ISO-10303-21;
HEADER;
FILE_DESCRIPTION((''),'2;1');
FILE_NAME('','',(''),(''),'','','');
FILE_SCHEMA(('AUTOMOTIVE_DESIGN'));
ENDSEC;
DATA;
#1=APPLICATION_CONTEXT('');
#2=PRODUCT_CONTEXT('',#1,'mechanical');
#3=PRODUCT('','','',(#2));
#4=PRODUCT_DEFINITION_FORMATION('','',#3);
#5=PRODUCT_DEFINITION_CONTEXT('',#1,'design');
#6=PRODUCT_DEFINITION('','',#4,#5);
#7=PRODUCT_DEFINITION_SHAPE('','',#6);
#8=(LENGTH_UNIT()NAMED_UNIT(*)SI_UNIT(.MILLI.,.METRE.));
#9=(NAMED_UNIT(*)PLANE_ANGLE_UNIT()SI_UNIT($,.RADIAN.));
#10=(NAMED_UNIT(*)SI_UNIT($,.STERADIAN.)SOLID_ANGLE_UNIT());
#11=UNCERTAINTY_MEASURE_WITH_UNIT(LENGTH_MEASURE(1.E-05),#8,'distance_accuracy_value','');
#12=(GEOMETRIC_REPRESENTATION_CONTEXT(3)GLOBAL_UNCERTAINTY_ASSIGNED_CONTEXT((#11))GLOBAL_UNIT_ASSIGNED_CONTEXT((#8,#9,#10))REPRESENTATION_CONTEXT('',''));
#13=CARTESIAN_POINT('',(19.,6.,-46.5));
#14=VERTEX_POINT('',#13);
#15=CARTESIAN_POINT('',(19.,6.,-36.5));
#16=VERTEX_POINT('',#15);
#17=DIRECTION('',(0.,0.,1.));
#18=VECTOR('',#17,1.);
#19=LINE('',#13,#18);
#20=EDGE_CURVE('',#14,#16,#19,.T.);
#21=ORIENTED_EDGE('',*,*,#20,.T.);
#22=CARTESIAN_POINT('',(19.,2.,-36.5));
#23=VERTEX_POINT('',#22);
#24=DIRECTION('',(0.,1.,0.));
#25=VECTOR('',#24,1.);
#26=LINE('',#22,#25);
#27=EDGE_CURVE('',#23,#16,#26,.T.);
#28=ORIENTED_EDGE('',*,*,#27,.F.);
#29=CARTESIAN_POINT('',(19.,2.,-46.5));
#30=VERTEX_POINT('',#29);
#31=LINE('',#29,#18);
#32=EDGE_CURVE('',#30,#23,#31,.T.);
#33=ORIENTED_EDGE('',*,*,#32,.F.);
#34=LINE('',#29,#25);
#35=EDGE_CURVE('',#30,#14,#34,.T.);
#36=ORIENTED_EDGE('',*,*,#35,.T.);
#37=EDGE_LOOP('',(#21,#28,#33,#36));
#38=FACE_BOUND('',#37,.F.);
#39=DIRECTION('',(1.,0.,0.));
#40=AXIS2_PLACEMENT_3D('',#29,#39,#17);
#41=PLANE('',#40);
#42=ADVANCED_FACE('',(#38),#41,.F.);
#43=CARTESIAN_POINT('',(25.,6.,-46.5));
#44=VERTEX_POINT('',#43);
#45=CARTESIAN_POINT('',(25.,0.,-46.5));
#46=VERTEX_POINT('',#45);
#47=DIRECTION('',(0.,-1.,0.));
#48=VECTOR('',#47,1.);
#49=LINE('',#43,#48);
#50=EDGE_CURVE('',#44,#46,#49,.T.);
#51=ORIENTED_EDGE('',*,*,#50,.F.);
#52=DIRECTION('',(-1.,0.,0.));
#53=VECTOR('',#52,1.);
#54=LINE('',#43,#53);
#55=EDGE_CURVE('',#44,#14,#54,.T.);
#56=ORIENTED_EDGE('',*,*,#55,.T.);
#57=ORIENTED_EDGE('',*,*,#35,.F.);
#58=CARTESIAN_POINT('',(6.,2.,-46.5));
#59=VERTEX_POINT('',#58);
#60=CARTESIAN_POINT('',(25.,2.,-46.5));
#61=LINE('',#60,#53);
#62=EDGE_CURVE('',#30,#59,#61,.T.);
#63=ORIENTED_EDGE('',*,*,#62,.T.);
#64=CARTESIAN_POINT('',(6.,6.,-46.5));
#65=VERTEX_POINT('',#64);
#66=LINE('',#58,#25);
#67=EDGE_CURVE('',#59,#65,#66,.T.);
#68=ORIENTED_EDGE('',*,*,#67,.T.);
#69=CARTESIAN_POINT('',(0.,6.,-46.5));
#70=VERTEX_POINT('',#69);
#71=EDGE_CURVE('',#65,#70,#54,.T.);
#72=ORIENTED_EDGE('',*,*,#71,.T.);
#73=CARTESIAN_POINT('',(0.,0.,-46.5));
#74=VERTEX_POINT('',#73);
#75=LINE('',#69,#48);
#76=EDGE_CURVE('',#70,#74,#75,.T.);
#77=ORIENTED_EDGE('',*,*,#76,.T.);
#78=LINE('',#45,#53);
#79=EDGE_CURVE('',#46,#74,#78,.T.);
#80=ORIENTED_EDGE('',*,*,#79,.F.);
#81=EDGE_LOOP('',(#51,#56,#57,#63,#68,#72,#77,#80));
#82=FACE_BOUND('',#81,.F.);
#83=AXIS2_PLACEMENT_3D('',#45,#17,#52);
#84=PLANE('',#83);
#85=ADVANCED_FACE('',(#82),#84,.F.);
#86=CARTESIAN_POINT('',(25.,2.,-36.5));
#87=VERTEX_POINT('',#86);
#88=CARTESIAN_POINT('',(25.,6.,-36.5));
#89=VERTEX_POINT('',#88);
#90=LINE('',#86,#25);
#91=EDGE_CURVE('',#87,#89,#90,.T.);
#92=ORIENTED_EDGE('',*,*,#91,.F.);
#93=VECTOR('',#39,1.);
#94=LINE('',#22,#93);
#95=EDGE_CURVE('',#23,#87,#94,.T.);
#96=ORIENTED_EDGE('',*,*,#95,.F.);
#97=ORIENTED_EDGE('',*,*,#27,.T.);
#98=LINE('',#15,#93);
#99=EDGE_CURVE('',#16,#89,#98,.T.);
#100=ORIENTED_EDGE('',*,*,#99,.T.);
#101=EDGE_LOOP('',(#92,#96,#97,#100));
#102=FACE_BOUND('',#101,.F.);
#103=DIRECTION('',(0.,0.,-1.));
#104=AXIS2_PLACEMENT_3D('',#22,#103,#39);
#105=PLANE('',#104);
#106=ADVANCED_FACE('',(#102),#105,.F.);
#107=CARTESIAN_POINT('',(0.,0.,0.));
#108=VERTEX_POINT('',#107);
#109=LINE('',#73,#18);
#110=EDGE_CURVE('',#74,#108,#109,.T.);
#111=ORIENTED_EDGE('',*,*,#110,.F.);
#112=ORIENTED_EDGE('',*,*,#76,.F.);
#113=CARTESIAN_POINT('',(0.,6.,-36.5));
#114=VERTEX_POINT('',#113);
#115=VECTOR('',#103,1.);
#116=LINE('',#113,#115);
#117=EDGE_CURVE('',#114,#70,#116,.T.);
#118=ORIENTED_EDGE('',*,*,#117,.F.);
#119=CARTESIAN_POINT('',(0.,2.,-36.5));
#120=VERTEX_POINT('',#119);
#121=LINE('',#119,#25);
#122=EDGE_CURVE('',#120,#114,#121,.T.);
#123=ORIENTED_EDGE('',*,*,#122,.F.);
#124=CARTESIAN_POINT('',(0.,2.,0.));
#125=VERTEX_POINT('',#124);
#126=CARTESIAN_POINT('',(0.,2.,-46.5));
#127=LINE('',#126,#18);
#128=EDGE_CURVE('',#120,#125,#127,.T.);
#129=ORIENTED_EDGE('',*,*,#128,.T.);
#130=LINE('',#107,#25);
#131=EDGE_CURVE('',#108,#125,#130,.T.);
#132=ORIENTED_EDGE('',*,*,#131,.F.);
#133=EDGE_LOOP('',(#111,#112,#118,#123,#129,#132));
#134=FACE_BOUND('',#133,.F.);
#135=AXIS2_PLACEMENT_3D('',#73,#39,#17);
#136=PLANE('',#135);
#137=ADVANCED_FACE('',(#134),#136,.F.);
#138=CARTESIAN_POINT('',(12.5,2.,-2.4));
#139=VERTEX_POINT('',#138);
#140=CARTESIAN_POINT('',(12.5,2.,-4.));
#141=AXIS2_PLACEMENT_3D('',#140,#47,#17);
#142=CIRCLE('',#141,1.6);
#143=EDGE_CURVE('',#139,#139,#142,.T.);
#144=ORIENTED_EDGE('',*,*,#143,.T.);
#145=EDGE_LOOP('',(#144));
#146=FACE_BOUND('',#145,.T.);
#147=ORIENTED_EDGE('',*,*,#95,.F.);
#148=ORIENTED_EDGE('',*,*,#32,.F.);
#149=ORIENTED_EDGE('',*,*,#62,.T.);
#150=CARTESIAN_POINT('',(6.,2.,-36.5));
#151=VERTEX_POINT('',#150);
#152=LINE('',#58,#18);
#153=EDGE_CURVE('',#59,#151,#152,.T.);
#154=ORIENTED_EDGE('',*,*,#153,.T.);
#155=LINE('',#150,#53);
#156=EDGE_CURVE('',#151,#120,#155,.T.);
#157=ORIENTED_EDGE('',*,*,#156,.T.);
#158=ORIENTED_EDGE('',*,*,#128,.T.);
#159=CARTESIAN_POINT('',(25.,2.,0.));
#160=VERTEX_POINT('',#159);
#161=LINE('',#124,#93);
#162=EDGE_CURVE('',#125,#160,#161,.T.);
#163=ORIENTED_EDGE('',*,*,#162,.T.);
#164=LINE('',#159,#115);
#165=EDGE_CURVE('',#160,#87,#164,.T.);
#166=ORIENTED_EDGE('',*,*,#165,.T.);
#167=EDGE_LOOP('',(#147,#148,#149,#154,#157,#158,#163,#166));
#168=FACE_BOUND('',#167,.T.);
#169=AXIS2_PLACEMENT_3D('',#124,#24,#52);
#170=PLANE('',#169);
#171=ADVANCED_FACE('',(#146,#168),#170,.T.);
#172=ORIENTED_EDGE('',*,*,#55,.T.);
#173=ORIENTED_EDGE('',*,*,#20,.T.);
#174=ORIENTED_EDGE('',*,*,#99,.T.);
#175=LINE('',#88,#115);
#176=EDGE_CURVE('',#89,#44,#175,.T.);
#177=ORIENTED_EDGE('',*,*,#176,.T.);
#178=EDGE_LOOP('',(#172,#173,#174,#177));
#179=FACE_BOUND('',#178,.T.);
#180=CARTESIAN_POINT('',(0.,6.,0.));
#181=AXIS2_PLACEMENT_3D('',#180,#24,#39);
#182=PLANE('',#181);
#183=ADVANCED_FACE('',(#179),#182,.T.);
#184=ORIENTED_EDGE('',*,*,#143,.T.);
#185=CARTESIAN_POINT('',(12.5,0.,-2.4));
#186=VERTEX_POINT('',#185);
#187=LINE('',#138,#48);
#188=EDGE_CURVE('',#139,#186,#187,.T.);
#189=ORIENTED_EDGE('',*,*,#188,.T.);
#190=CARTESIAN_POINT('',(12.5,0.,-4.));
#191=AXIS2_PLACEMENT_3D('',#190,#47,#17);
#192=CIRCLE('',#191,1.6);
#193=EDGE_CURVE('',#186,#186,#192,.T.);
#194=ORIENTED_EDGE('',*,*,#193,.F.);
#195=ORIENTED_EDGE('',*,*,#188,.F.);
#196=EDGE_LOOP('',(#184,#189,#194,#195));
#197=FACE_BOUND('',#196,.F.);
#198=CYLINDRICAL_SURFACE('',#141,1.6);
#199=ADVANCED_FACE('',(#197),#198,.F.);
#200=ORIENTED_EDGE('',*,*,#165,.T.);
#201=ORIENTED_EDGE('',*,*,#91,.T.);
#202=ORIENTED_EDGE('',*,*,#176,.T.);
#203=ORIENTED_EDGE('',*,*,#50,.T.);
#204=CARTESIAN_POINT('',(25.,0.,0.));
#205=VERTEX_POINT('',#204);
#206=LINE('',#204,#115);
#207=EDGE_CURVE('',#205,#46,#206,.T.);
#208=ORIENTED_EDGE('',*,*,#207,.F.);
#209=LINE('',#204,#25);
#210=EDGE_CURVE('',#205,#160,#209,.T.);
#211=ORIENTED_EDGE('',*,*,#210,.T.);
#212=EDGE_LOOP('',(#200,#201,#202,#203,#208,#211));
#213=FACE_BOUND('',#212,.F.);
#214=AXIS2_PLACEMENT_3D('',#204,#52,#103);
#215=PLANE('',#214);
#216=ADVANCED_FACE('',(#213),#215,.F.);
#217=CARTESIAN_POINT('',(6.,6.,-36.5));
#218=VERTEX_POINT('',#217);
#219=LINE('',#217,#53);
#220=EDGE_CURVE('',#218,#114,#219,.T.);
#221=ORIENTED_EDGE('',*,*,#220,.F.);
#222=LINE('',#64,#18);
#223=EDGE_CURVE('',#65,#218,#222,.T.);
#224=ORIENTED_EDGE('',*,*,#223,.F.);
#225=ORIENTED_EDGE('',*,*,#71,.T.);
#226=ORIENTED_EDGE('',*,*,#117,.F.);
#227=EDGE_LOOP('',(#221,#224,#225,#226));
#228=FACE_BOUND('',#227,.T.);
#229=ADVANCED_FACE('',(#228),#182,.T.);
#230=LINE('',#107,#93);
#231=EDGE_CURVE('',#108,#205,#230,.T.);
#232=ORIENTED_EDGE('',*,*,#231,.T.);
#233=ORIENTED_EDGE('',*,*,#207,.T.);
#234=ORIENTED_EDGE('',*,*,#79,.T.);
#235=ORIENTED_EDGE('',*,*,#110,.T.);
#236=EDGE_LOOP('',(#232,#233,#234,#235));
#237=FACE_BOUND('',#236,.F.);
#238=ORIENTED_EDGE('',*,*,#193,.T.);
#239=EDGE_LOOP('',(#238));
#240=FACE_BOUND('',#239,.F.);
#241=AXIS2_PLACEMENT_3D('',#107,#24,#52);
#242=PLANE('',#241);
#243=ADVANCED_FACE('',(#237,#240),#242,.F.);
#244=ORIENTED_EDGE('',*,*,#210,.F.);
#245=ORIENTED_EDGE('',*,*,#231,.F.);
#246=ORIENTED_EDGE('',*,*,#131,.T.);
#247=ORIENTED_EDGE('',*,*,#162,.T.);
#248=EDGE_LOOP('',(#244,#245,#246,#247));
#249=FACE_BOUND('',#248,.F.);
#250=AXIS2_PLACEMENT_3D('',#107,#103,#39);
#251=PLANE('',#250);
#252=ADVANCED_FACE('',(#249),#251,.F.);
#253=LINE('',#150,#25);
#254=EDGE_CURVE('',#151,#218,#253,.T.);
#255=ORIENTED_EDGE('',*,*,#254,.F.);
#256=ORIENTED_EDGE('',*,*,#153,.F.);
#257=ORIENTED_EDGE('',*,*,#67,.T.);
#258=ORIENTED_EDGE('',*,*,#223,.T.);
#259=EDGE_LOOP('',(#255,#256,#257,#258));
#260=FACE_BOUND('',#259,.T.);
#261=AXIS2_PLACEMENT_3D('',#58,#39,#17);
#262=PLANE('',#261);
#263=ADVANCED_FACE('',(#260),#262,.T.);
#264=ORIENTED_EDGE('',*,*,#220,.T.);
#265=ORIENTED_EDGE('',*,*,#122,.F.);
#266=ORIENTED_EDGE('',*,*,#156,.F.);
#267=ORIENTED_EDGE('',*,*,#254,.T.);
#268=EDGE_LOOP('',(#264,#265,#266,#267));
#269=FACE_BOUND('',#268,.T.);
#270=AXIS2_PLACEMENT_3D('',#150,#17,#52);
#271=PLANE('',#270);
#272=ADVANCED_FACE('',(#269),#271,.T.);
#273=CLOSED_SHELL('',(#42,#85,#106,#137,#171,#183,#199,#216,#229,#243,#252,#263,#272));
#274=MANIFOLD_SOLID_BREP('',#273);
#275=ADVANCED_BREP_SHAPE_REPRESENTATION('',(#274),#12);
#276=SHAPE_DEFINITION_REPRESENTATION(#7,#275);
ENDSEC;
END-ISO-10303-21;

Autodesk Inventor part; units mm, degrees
ref_plane "YZ Plane" through (0, 0, 0) normal (1, 0, 0) x (0, 1, 0)
ref_plane "XZ Plane" through (0, 0, 0) normal (0, 1, 0) x (-1, 0, 0)
ref_plane "XY Plane" through (0, 0, 0) normal (0, 0, 1) x (1, 0, 0)
sketch "Sketch1" plane through (0, 0, 0) normal (0, 1, 0) x (-1, 0, 0)
  line L0 (0, 0) -> (-25, 0)
  line L1 (-25, 0) -> (-25, -46.5)
  line L2 (-25, -46.5) -> (0, -46.5)
  line L3 (0, -46.5) -> (0, 0)
  dimension "d0" = 25
  dimension "d1" = 46.5
extrude "Extrusion1" add sketch "Sketch1" along normal blind 2
sketch "Sketch2" plane through (0, 2, 0) normal (0, 1, 0) x (1, 0, 0)
  line L0 (25, 46.5) -> (0, 46.5) projected
  line L1 (0, 46.5) -> (6, 46.5)
  line L2 (6, 46.5) -> (6, 36.5)
  line L3 (6, 36.5) -> (0, 36.5)
  line L4 (0, 36.5) -> (0, 46.5)
  line L5 (25, 46.5) -> (19, 46.5)
  line L6 (19, 46.5) -> (19, 36.5)
  line L7 (19, 36.5) -> (25, 36.5)
  line L8 (25, 36.5) -> (25, 46.5)
  point P0 (0, 0)
  dimension "d4" = 6
  dimension "d5" = 10
  dimension "d6" = 6
extrude "Extrusion2" add sketch "Sketch2" along normal blind 4
sketch "Sketch4" plane through (0, 2, 0) normal (0, 1, 0) x (1, 0, 0)
  line L0 (0, 0) -> (25, 0) projected
  line L1 (25, 0) -> (25, 36.5) projected
  point P0 (12.5, 4)
  dimension "d18" = 4
  dimension "d19" = 12.5
hole "Hole2" at (12.5, 2, -4) direction (0, -1, 0) diameter 3.2 end through all
properties part number "mlx_mount_4mm"
